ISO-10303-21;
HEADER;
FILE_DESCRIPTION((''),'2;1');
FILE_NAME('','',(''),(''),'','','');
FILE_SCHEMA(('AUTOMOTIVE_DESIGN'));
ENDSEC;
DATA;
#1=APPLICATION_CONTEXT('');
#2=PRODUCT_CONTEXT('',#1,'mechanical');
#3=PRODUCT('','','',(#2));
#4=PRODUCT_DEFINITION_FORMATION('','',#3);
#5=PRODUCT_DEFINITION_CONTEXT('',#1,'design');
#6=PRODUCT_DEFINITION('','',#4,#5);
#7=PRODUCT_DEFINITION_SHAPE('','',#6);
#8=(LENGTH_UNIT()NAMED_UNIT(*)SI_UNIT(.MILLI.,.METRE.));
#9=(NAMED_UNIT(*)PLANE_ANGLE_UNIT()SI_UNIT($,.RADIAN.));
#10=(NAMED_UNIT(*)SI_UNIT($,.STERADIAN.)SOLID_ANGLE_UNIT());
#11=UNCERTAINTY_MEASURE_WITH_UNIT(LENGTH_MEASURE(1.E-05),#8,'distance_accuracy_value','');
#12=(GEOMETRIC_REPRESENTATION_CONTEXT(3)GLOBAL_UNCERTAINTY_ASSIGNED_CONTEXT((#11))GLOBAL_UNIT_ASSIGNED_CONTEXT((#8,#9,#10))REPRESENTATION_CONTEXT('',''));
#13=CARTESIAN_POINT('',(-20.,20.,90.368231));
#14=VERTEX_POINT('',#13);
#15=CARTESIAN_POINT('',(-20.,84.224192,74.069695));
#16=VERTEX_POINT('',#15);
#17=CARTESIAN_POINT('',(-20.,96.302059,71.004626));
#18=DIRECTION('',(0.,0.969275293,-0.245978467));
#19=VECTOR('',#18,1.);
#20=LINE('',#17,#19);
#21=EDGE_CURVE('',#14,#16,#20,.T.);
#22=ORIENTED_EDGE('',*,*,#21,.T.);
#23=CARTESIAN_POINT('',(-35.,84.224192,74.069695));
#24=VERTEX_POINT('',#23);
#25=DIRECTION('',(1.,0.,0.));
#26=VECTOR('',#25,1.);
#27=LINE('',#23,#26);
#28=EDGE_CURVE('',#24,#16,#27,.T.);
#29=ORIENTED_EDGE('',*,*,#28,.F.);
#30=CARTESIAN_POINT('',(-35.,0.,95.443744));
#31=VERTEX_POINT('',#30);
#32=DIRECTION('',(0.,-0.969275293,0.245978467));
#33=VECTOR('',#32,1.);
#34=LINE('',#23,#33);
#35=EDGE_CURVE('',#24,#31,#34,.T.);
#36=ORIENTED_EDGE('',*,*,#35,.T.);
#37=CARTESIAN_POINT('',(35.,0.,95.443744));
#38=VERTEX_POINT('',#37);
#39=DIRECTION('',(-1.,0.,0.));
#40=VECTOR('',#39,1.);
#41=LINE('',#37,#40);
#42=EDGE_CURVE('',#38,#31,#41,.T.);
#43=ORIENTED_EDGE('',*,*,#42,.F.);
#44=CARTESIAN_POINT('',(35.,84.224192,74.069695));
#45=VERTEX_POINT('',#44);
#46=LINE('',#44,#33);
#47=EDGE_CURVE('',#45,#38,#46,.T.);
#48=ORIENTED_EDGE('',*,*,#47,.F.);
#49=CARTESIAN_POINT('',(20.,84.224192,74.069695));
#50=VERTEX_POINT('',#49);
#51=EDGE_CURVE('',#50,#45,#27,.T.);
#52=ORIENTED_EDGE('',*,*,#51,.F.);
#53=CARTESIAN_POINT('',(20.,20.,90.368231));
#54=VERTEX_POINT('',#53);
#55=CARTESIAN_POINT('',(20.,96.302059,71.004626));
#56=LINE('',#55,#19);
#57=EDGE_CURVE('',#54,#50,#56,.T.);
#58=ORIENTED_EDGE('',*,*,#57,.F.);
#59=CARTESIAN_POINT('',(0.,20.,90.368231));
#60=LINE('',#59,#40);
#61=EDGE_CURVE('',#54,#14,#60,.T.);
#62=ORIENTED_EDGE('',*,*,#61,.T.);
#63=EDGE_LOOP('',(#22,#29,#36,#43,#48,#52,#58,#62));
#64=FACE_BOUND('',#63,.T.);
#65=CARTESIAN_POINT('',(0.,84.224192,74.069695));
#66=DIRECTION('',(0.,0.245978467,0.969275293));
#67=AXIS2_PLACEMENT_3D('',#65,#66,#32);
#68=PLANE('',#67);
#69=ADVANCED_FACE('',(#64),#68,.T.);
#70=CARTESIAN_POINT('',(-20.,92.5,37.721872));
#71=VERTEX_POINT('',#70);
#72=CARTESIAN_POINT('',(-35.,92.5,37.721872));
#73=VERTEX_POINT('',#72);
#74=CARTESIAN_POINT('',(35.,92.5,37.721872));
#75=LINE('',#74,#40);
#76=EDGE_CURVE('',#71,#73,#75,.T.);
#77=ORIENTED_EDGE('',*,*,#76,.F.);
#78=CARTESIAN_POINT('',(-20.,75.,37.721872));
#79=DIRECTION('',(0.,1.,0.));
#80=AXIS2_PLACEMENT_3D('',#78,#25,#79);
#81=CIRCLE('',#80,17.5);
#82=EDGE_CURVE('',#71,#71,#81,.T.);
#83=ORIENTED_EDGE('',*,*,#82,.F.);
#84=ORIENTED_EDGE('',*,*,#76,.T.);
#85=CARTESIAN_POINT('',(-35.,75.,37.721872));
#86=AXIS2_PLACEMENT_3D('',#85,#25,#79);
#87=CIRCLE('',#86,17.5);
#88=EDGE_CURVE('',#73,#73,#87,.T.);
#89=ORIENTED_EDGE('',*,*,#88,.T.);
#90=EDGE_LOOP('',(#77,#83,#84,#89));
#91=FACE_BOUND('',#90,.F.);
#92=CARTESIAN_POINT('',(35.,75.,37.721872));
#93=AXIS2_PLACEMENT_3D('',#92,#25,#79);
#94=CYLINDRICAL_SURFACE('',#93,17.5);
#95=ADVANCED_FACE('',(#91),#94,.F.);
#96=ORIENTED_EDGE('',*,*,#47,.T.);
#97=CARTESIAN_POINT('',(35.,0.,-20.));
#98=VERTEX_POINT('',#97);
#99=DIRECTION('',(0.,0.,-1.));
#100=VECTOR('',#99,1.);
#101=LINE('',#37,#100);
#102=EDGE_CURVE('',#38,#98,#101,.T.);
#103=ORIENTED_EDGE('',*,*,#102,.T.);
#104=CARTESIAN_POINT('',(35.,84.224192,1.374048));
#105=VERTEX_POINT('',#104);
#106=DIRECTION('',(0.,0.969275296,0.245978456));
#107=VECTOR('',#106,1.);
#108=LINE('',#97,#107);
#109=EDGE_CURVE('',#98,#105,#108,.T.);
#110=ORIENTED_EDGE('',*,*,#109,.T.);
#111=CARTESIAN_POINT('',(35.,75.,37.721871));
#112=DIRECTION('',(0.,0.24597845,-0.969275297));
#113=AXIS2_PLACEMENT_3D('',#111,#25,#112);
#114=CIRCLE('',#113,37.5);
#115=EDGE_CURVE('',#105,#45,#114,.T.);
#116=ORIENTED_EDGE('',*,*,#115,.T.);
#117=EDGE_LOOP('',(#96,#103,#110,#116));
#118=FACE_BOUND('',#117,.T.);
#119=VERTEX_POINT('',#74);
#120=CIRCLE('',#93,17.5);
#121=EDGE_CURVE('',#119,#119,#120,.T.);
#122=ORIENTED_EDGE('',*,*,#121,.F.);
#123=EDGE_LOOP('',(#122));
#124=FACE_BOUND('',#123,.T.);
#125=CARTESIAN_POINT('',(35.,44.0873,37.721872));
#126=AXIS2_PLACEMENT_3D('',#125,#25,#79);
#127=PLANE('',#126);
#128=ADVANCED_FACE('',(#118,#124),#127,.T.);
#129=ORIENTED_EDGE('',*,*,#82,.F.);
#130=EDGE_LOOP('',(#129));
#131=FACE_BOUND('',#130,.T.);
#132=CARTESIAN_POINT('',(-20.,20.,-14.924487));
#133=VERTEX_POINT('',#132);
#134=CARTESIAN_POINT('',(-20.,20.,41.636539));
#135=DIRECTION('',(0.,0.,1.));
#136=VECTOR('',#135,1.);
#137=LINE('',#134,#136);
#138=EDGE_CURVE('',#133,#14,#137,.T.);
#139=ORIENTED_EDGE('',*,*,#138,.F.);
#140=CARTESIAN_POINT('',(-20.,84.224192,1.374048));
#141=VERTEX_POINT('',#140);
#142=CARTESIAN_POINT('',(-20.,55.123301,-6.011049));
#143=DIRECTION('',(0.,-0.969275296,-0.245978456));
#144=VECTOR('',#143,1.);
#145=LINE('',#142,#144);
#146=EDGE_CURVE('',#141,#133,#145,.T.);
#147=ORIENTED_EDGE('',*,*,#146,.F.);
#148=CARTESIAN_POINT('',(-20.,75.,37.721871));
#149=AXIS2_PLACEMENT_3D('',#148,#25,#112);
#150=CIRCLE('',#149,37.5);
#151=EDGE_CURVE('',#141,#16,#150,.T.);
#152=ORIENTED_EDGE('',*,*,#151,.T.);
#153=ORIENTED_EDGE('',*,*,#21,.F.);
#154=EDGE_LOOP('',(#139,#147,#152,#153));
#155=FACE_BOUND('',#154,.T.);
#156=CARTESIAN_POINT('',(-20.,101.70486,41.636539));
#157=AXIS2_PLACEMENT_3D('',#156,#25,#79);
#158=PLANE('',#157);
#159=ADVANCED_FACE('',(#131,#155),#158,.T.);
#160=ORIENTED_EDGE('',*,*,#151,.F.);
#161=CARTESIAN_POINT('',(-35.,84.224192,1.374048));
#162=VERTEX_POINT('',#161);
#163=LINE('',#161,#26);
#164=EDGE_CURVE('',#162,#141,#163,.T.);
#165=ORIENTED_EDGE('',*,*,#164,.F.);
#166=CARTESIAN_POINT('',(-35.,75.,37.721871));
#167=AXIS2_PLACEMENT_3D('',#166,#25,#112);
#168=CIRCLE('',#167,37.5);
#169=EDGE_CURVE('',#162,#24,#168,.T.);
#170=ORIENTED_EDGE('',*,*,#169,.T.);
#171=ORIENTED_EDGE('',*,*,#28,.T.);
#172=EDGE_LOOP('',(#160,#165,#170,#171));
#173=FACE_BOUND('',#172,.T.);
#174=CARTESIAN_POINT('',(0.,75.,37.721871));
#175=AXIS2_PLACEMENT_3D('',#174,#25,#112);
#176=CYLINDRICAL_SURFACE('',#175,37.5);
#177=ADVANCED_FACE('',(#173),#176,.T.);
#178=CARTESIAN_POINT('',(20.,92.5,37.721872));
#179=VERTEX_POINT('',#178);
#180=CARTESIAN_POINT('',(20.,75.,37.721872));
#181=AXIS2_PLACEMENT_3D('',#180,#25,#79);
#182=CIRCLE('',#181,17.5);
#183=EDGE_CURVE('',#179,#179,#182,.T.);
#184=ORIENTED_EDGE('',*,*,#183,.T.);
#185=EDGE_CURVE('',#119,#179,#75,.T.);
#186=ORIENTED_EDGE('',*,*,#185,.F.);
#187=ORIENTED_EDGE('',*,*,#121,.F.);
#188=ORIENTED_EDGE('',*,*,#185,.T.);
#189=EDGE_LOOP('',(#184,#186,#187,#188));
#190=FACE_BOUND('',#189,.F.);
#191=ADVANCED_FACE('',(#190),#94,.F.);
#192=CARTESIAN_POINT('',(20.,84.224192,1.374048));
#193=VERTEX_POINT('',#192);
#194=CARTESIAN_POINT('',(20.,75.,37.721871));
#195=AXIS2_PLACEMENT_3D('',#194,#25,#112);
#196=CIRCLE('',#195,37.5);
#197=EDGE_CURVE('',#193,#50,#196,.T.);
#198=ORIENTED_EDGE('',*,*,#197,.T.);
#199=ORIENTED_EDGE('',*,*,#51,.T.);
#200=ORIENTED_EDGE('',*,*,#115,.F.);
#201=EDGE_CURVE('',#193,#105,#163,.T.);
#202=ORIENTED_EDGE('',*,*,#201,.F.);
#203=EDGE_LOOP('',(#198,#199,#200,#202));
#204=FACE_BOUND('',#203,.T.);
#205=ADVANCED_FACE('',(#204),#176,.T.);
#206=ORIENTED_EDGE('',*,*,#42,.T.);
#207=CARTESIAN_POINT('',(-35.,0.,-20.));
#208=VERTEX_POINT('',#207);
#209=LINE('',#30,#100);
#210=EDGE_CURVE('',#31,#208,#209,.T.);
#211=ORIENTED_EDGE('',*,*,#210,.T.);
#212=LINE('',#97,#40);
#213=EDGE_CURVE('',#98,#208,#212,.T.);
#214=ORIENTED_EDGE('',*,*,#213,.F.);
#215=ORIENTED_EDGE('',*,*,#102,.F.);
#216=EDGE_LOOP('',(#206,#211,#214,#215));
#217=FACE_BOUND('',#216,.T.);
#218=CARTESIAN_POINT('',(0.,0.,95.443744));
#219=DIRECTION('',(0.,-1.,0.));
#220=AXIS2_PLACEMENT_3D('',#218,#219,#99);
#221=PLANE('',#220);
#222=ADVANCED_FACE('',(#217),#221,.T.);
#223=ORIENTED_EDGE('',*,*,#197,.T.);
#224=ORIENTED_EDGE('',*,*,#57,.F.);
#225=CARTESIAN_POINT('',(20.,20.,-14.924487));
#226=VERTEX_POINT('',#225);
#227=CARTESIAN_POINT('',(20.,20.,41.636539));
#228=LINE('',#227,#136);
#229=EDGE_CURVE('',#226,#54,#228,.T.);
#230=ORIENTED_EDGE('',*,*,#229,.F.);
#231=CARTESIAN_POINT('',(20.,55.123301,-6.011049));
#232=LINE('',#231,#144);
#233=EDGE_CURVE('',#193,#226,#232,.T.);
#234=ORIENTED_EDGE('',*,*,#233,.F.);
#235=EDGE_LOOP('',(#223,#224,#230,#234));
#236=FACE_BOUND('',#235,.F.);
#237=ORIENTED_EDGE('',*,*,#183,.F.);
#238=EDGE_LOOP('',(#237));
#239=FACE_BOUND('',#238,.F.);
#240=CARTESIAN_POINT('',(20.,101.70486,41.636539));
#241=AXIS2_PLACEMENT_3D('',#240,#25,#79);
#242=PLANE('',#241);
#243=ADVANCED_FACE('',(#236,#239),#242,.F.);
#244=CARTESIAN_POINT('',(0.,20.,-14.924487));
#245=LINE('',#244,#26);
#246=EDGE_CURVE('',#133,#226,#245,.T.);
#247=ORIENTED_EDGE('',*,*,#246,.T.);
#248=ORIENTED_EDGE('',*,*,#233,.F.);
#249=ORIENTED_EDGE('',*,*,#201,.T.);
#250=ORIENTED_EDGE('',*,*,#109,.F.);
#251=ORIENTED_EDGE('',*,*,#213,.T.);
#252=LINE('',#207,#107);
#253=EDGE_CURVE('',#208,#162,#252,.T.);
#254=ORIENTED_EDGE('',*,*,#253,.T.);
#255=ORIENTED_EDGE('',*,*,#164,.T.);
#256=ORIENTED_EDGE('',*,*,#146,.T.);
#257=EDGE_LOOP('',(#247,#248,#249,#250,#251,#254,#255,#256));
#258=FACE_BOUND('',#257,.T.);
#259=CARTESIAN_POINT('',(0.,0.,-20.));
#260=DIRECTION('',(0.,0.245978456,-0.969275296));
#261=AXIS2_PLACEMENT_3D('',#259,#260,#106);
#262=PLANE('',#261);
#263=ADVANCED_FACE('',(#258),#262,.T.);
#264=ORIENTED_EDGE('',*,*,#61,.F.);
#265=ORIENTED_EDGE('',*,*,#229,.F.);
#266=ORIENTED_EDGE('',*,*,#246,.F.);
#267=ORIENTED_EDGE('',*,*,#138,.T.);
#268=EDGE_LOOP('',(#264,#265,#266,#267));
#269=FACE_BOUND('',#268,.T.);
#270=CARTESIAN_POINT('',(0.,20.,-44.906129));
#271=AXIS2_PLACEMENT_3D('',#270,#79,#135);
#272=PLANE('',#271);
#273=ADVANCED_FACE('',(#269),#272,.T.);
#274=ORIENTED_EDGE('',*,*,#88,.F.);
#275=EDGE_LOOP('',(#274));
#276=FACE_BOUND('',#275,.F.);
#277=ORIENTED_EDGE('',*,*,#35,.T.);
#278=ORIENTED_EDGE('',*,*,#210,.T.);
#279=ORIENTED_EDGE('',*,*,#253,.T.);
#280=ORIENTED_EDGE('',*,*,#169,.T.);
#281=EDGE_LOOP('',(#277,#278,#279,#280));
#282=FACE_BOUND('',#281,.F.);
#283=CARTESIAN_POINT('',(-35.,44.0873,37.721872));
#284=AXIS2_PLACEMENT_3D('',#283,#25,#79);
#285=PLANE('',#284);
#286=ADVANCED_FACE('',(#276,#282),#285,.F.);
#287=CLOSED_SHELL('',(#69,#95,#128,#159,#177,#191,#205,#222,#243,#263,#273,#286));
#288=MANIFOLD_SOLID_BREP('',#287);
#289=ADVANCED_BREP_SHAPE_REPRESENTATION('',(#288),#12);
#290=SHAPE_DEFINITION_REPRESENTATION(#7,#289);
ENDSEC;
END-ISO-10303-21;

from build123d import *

# Parameters (mm, degrees)
F1_DEPTH = 35
F2_W     = 163.409721
F2_H     = 173.085335
F3_DEPTH = 20
F4_R     = 17.5
F5_DEPTH = 100


with BuildPart() as f1:
    # F0 (on Right) → F1 (new body, symmetric)
    with BuildSketch(Plane.YZ):
        with BuildLine():
            Line((0, 37.721872), (0, 0))
            Line((0, 0), (0, -20))
            Line((0, -20), (84.224192, 1.374048))
            ThreePointArc((84.224192, 1.374048), (112.5, 37.721872), (84.224192, 74.069695))
            Line((84.224192, 74.069695), (0, 95.443744))
            Line((0, 95.443744), (0, 75.443744))
            Line((0, 75.443744), (0, 37.721872))
        make_face()
    extrude(amount=F1_DEPTH, both=True)

    # F2 (on Right) → F3 (cut, symmetric)
    with BuildSketch(Plane.YZ):
        with Locations((101.70486, 41.636539)):
            Rectangle(F2_W, F2_H)
    extrude(amount=F3_DEPTH, both=True, mode=Mode.SUBTRACT)

    # F4 (on face) → F5 (cut)
    with BuildSketch(Plane.YZ.offset(35)):
        with Locations((75, 37.721872)):
            Circle(F4_R)
    extrude(amount=-F5_DEPTH, mode=Mode.SUBTRACT)


solid = f1.part
